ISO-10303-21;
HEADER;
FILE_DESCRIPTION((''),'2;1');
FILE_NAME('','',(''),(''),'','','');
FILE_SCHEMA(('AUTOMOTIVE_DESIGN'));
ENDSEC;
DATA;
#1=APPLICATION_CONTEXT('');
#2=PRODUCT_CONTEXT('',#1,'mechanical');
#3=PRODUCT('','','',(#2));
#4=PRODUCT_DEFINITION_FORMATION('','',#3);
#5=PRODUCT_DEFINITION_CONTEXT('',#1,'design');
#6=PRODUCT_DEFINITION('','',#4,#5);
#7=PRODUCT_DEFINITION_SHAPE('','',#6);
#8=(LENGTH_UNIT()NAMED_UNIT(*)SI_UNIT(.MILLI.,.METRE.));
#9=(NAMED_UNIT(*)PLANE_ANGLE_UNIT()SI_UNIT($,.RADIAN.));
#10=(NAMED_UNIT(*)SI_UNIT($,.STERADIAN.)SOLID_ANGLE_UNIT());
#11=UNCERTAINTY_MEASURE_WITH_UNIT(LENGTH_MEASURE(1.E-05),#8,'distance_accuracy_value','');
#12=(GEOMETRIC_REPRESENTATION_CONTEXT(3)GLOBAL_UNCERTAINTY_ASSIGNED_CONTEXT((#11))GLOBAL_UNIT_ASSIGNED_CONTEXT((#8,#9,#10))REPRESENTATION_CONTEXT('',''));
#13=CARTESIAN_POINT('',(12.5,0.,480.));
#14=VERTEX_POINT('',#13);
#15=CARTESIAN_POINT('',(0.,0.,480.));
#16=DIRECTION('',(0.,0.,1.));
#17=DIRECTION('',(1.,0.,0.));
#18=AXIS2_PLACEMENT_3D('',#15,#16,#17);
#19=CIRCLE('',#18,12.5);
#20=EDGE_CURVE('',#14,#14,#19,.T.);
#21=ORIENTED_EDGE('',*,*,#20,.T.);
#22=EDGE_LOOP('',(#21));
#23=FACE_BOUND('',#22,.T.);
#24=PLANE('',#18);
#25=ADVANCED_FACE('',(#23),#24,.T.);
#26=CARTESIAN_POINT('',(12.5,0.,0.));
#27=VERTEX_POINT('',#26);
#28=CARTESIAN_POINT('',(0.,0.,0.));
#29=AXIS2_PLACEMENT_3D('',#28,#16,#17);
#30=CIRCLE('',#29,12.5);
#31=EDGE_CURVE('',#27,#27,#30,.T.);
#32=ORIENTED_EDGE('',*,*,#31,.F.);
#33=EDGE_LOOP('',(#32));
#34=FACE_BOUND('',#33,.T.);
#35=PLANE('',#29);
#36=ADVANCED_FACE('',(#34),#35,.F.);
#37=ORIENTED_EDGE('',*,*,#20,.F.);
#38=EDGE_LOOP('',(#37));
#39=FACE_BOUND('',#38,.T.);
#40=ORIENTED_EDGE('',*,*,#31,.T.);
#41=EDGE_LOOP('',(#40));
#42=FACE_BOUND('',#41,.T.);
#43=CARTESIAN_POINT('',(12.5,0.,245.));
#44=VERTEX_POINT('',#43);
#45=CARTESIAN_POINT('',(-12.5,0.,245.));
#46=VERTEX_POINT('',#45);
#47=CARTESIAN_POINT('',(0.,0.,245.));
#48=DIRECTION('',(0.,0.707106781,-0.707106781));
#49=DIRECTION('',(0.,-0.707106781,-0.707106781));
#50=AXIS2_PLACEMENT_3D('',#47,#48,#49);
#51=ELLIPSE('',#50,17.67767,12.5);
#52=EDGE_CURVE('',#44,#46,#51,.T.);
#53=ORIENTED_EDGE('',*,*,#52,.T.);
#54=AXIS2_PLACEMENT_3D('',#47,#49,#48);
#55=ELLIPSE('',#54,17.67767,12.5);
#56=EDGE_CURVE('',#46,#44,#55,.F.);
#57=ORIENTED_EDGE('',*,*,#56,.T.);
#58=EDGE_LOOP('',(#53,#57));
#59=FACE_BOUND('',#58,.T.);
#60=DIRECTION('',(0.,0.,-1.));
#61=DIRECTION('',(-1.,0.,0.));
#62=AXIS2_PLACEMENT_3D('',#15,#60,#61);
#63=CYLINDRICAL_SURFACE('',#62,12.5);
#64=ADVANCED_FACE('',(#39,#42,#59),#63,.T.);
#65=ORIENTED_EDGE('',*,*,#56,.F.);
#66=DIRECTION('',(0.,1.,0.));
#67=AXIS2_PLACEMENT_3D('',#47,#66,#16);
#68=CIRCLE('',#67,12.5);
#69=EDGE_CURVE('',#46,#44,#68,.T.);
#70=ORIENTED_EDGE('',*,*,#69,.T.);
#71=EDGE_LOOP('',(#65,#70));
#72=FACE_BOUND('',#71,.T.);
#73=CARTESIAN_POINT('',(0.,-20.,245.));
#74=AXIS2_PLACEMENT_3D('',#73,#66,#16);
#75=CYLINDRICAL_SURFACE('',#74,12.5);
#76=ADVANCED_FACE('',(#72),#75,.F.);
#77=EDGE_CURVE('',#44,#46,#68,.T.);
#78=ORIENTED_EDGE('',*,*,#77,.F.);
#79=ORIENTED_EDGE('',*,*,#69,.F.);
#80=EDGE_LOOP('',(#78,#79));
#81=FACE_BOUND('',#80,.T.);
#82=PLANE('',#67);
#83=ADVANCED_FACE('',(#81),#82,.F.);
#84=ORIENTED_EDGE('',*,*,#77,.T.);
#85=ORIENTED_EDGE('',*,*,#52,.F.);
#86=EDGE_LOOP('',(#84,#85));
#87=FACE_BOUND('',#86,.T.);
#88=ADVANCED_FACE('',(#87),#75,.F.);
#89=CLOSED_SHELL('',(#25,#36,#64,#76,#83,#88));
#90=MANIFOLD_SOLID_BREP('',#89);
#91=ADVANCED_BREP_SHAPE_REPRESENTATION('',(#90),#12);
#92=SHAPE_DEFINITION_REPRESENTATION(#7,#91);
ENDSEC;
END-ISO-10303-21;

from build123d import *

# Parameters (mm, degrees)
SKETCH1_R           = 12.5
BOSS_EXTRUDE1_DEPTH = 480
SKETCH2_R           = 12.5
CUT_EXTRUDE3_DEPTH  = 20


with BuildPart() as part:
    # Sketch1 → Boss-Extrude1 (new body)
    with BuildSketch(Plane.XY):
        Circle(SKETCH1_R)
    extrude(amount=BOSS_EXTRUDE1_DEPTH)

    # Sketch2 → Cut-Extrude3 (cut)
    with BuildSketch(Plane(origin=(0, 0, 0), x_dir=(1, 0, 0), z_dir=(0, 1, 0))):
        with Locations((0, -245)):
            Circle(SKETCH2_R)
    extrude(amount=-CUT_EXTRUDE3_DEPTH, mode=Mode.SUBTRACT)


solid = part.part
